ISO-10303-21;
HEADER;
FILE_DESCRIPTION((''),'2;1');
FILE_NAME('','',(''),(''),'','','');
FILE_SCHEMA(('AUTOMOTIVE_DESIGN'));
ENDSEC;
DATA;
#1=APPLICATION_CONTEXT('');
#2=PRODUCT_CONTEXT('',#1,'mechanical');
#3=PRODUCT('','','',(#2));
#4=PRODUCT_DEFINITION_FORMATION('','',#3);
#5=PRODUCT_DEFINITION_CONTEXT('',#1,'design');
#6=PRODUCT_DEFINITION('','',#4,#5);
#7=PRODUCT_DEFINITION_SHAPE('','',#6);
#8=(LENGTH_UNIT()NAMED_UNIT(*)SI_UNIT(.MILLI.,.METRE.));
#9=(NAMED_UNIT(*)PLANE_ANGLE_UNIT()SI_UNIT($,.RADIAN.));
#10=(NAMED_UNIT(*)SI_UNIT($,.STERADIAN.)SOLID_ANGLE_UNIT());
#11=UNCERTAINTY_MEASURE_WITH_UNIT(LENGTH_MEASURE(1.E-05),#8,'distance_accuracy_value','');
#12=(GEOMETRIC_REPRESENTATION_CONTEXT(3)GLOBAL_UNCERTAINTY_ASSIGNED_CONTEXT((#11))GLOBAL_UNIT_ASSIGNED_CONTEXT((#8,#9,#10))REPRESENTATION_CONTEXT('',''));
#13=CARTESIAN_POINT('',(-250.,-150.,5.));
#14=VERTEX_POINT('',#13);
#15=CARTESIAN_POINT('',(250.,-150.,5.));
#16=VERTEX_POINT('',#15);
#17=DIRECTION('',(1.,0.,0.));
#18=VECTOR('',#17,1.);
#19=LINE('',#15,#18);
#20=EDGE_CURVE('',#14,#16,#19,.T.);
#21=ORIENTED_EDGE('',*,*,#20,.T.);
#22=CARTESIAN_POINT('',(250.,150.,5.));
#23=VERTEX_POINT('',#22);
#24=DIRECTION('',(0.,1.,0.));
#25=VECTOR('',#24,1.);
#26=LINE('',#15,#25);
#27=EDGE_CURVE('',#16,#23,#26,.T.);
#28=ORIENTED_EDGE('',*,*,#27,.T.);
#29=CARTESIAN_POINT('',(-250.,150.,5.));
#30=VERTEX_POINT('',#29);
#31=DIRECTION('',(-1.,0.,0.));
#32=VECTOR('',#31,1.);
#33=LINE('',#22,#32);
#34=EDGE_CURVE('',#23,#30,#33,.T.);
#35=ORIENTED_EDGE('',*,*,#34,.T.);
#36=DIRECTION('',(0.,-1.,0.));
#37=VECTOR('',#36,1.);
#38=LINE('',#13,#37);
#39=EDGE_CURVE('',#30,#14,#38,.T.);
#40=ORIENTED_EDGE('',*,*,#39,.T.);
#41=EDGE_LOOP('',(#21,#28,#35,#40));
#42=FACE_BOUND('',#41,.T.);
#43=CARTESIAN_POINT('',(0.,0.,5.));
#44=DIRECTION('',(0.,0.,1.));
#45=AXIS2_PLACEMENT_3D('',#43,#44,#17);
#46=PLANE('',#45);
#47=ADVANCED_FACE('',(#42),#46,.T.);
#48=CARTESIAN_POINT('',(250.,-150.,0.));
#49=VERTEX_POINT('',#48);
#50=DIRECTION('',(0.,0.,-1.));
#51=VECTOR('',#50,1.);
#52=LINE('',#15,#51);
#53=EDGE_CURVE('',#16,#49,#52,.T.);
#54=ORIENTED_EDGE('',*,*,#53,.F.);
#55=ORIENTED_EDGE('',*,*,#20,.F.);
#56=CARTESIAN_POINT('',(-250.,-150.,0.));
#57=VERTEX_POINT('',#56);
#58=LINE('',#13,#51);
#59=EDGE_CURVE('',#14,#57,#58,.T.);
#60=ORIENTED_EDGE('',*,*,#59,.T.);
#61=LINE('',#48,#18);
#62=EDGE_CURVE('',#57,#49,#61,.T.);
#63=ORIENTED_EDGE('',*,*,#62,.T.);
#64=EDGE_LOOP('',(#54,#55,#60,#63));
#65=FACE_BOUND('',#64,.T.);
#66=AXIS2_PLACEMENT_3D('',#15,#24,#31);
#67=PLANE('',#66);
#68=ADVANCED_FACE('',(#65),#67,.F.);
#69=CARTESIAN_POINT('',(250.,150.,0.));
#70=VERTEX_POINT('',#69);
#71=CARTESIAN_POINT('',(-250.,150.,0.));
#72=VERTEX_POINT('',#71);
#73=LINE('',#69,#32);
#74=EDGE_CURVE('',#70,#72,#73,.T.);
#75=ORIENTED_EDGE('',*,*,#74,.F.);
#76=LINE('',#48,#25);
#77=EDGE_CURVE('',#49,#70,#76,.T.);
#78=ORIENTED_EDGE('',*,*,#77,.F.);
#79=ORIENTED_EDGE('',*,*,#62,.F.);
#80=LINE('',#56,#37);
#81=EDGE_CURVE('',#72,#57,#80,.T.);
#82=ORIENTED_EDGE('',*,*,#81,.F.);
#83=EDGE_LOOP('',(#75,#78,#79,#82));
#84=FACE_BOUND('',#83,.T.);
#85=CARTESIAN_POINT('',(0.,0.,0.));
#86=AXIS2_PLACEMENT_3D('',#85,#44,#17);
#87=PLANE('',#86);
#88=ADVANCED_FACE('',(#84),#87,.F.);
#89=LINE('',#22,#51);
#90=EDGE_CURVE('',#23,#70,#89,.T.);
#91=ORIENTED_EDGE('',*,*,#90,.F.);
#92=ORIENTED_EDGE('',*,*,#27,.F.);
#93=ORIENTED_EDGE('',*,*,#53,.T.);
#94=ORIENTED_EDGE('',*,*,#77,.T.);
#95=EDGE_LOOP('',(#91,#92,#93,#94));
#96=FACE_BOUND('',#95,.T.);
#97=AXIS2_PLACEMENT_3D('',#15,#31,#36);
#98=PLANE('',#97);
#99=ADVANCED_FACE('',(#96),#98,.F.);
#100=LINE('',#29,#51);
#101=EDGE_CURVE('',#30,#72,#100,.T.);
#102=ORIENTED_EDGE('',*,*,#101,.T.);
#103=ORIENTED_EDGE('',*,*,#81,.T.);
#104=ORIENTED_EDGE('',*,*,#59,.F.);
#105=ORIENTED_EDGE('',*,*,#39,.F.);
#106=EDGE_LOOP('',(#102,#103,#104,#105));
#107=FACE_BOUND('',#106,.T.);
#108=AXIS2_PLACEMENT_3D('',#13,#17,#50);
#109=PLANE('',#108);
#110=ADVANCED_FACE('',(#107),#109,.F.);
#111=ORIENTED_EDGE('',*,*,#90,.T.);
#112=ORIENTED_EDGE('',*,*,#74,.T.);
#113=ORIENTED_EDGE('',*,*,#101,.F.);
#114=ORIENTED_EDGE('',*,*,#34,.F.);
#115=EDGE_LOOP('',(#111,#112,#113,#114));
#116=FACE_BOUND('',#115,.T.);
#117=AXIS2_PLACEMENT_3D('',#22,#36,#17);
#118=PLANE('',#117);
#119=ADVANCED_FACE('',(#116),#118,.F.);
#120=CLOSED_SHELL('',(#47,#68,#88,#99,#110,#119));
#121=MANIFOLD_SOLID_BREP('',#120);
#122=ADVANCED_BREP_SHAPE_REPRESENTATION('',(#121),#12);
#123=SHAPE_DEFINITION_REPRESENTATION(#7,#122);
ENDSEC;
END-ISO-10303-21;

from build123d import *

# Parameters (mm, degrees)
ESQUISSE1_W        = 500
ESQUISSE1_H        = 300
BOSS_EXTRU_1_DEPTH = 5


with BuildPart() as part:
    # Esquisse1 → Boss.-Extru.1 (new body)
    with BuildSketch(Plane.XY):
        Rectangle(ESQUISSE1_W, ESQUISSE1_H)
    extrude(amount=BOSS_EXTRU_1_DEPTH)


solid = part.part
